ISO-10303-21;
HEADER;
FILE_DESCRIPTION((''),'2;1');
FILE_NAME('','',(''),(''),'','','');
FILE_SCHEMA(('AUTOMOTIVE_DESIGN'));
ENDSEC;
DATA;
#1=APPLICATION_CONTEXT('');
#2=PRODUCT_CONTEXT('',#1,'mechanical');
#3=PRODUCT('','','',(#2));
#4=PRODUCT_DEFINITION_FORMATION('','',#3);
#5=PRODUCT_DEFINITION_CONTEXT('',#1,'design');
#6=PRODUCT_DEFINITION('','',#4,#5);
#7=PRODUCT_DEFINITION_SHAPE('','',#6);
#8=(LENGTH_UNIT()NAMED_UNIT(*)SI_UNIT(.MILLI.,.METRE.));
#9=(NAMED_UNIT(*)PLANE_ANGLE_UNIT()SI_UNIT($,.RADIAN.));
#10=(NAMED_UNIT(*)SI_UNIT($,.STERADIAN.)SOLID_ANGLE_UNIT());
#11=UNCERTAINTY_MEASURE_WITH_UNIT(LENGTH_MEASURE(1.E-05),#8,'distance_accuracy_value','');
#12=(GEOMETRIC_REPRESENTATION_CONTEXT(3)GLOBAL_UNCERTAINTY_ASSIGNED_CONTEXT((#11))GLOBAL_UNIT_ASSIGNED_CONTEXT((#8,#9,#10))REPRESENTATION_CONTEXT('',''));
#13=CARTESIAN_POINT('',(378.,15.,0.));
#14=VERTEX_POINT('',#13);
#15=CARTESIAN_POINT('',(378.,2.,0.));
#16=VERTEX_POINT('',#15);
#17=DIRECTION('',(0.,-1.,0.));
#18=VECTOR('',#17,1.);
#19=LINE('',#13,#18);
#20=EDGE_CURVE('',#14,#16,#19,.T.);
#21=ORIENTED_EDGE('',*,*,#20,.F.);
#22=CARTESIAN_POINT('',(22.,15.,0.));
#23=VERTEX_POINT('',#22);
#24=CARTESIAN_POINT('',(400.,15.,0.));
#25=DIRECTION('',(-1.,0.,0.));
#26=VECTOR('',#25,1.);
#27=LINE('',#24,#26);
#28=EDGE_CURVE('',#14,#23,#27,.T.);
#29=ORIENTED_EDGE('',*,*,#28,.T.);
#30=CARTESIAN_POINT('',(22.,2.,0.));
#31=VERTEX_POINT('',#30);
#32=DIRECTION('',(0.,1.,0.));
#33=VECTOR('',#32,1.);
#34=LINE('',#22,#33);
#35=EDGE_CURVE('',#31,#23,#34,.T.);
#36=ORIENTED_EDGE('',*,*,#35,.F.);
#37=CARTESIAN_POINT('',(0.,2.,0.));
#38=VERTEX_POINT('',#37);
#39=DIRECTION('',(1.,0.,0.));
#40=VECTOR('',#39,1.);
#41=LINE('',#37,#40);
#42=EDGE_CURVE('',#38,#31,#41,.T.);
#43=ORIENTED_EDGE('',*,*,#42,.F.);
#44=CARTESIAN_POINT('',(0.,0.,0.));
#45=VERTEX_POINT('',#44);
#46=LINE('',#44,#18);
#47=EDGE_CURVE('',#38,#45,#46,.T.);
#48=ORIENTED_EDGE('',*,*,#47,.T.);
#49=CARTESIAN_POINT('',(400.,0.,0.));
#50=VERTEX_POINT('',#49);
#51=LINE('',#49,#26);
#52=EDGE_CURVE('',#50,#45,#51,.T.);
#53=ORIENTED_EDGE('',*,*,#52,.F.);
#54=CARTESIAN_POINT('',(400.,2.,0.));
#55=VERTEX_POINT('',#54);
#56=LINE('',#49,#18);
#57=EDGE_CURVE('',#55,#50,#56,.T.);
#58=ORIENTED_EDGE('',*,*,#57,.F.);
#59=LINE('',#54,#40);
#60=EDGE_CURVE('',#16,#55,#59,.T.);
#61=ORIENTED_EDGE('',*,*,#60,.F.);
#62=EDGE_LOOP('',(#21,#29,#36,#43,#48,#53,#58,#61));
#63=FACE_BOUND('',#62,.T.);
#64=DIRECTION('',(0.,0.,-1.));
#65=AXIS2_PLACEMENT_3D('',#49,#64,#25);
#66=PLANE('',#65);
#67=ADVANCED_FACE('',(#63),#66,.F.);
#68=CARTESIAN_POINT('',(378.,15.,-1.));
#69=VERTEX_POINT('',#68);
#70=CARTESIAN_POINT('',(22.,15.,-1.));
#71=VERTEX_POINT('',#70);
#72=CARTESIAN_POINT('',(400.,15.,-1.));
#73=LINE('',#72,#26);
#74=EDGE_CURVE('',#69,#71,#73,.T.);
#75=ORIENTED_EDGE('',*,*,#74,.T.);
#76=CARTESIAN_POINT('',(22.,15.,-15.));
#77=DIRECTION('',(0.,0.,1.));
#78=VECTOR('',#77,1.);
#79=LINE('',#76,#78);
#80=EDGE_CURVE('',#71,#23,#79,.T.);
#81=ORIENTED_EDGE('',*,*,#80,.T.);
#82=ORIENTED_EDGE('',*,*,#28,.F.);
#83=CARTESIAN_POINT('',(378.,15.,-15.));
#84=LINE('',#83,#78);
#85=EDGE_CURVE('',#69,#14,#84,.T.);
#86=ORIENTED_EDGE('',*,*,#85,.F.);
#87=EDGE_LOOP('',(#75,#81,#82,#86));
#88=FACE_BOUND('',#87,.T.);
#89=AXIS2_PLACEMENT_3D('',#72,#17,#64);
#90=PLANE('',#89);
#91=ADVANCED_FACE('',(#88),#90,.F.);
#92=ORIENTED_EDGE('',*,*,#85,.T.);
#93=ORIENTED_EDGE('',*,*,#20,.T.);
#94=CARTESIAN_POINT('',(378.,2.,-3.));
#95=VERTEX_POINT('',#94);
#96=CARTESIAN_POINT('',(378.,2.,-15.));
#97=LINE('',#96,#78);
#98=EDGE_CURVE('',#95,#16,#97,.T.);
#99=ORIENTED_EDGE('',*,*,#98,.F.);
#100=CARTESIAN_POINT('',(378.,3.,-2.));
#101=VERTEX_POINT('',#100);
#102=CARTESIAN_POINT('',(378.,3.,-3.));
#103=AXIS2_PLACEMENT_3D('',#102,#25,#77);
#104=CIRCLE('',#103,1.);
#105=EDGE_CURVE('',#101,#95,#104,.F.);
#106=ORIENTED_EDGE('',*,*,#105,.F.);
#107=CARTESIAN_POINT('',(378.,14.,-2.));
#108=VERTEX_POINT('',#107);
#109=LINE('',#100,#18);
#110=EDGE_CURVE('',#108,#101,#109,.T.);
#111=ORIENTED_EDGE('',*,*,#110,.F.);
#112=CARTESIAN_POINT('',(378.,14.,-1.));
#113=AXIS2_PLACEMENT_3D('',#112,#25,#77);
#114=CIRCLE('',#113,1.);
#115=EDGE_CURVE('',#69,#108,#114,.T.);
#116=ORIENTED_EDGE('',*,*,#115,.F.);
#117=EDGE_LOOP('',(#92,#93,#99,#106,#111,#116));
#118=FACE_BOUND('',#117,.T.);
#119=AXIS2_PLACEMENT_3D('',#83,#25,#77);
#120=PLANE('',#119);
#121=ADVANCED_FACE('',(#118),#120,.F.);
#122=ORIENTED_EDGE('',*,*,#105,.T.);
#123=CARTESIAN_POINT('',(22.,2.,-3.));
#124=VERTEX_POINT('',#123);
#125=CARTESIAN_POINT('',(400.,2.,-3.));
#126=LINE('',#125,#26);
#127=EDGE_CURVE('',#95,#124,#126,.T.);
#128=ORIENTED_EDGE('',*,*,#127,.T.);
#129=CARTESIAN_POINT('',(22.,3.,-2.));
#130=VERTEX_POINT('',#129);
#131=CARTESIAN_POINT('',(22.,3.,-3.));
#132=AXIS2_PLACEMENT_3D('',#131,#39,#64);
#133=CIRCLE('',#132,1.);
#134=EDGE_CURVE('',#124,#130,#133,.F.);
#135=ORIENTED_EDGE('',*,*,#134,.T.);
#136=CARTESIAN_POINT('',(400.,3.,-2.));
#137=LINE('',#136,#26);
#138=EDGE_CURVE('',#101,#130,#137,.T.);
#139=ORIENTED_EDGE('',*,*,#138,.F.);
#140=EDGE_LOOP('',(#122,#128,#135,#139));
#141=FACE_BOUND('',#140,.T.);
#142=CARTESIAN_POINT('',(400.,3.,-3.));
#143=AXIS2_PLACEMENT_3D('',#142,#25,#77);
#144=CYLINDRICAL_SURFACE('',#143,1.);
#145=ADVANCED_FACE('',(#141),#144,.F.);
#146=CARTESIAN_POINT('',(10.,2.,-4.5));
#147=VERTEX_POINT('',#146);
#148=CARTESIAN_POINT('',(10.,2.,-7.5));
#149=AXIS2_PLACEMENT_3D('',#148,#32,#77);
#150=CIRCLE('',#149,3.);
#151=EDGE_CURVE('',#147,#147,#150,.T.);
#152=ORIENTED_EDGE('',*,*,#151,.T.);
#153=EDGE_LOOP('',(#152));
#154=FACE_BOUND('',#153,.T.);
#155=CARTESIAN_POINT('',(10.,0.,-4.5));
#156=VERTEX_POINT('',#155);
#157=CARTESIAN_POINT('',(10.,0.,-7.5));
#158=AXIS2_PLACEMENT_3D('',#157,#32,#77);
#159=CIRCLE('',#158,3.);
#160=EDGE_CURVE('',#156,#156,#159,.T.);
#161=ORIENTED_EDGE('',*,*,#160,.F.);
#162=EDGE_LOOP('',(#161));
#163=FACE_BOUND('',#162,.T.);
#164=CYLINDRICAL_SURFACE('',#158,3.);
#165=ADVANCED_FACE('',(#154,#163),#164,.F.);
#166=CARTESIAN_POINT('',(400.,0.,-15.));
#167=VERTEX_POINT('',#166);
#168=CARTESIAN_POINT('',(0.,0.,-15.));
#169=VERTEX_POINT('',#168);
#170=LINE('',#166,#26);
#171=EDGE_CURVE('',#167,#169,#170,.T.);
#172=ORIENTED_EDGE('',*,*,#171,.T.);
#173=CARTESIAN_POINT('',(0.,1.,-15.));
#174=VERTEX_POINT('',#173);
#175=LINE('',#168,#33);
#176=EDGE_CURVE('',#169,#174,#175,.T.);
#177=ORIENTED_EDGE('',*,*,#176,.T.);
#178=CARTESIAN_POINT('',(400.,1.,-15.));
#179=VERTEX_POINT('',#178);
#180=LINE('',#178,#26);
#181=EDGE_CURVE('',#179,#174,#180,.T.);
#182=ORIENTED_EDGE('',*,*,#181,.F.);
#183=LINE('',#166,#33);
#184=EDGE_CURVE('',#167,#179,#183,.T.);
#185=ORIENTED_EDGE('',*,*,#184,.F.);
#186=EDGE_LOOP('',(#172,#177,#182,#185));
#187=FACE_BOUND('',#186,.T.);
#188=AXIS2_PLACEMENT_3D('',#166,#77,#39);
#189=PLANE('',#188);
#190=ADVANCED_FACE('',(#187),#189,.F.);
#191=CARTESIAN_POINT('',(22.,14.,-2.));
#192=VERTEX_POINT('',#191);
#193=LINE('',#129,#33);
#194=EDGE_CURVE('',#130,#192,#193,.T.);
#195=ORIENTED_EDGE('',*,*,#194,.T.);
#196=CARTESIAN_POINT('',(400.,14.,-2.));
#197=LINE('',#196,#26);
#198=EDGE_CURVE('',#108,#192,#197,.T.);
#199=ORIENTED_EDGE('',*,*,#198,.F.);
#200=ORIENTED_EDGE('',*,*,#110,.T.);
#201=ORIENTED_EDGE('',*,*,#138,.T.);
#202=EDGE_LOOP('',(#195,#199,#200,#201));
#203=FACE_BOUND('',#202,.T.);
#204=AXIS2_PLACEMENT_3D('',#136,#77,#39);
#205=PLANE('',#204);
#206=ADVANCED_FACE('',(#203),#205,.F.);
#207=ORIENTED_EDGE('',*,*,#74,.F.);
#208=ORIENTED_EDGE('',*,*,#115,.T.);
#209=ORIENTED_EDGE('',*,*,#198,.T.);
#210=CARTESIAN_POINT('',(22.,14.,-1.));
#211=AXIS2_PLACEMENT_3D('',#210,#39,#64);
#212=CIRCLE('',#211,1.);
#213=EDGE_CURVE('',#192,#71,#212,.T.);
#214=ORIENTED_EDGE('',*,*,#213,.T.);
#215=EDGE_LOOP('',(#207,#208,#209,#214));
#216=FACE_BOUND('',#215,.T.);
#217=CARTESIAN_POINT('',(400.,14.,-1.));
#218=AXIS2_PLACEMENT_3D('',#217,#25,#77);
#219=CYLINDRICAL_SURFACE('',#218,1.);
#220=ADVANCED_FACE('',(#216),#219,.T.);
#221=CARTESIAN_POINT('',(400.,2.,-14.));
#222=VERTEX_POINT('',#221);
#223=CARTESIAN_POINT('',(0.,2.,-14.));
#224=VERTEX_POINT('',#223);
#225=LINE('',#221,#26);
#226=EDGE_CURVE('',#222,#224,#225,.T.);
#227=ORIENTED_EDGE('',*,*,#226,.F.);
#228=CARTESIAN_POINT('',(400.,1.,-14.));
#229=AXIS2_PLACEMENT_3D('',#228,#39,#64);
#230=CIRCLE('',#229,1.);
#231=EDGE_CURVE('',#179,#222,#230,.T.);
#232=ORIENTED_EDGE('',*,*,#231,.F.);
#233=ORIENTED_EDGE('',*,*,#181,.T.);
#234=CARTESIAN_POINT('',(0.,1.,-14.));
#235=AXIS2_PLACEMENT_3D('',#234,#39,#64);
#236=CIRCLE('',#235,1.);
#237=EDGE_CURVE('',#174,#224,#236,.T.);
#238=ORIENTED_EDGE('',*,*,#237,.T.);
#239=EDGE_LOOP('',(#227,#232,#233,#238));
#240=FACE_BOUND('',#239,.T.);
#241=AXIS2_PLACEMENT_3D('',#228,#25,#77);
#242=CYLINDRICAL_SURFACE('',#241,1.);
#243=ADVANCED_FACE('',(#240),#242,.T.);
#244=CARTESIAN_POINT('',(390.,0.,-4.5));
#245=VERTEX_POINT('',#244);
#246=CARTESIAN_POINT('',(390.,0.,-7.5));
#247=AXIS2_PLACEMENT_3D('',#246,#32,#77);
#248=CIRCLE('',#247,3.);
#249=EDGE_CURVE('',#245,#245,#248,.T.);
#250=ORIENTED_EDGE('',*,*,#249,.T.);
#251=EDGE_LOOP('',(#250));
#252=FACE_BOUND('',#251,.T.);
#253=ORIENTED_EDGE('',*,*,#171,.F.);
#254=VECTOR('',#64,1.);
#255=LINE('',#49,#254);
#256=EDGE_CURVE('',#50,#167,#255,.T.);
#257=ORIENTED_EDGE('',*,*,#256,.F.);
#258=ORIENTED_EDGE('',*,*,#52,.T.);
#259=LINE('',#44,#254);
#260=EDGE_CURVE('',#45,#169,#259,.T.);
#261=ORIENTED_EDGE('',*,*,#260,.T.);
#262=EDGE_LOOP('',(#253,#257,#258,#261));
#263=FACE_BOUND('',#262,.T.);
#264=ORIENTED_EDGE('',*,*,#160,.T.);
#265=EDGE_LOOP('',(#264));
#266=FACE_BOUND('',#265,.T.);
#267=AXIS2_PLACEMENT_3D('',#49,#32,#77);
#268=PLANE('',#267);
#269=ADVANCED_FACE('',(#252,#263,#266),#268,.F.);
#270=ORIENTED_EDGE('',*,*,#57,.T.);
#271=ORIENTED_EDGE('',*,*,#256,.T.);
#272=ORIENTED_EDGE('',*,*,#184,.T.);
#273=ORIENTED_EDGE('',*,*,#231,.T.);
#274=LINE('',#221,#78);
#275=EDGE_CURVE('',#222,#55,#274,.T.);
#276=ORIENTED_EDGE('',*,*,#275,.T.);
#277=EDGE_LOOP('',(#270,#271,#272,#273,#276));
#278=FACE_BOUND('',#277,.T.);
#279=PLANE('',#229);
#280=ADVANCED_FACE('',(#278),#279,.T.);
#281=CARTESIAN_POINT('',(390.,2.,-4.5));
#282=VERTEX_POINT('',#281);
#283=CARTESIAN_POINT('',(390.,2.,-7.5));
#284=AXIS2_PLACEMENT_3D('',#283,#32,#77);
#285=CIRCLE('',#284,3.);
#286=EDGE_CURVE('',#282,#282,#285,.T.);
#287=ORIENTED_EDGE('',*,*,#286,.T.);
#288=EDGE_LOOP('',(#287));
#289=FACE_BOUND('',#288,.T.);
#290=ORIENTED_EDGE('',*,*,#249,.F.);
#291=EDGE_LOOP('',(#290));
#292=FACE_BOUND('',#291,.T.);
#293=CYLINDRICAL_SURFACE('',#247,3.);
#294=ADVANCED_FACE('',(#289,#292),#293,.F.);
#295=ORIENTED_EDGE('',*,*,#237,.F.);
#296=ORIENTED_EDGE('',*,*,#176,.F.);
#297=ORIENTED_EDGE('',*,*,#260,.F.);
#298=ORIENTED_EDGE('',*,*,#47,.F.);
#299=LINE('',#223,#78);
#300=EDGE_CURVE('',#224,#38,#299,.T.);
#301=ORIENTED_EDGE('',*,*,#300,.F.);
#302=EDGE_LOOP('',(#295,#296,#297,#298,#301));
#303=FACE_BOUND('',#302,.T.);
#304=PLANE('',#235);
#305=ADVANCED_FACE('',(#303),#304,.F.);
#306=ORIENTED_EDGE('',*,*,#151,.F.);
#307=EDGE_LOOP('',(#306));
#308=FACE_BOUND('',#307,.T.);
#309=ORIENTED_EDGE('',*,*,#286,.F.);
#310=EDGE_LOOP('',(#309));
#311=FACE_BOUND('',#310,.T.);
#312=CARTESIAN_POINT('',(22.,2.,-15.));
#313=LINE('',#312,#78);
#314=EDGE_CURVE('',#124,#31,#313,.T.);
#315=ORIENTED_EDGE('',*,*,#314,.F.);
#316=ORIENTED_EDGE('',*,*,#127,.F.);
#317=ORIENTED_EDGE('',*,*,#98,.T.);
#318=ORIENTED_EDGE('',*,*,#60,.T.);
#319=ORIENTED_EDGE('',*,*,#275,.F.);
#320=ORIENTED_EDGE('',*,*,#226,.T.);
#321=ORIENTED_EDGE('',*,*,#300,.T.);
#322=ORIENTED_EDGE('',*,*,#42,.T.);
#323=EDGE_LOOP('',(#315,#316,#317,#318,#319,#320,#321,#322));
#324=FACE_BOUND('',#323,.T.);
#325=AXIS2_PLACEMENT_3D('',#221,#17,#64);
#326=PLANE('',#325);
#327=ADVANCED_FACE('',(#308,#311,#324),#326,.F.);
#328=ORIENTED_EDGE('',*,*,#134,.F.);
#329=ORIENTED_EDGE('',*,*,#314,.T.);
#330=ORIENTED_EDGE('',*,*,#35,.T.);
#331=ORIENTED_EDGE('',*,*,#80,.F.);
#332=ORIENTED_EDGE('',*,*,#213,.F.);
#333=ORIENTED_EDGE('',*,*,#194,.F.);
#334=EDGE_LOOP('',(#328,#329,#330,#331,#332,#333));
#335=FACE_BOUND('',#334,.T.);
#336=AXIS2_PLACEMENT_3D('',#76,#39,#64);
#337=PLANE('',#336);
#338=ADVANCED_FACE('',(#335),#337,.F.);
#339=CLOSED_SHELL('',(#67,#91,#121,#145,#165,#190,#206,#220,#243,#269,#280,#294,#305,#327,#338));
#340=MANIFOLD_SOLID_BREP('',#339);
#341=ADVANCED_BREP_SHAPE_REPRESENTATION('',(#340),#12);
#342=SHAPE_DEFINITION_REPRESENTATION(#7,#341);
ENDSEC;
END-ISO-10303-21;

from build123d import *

# Parameters (mm, degrees)
EXTRUDE_1_DEPTH     = 400
SKETCH_2_W          = 22
SKETCH_2_H          = 13
CUT_EXTRUDE_1_DEPTH = 401.562105047
SKETCH_3_R          = 3
CUT_EXTRUDE_2_DEPTH = 401.492197177


with BuildPart() as part:
    # Эскиз1 → Бобышка-Вытянуть1 (new body)
    with BuildSketch(Plane(origin=(0, 0, 0), x_dir=(0, 0, -1), z_dir=(1, 0, 0))):
        with BuildLine():
            Line((0, 0), (0, 15))
            Line((0, 15), (1, 15))
            ThreePointArc((1, 15), (1.707106781, 14.707106781), (2, 14))
            Line((2, 14), (2, 3))
            ThreePointArc((2, 3), (2.292893219, 2.292893219), (3, 2))
            Line((3, 2), (14, 2))
            ThreePointArc((14, 2), (14.707106781, 1.707106781), (15, 1))
            Line((15, 1), (15, 0))
            Line((15, 0), (0, 0))
        make_face()
    extrude(amount=EXTRUDE_1_DEPTH)

    # Эскиз2 → Вырез-Вытянуть1 (cut, through all)
    with BuildSketch(Plane.XY):
        with Locations((389, 8.5)):
            Rectangle(SKETCH_2_W, SKETCH_2_H)
        with Locations((11, 8.5)):
            Rectangle(SKETCH_2_W, SKETCH_2_H)
    extrude(amount=-CUT_EXTRUDE_1_DEPTH, mode=Mode.SUBTRACT)

    # Эскиз3 → Вырез-Вытянуть2 (cut, through all)
    with BuildSketch(Plane(origin=(0, 2, 0), x_dir=(1, 0, 0), z_dir=(0, 1, 0))):
        with Locations(Location((390, 7.5, 0), (0, 0, 270))):
            Circle(SKETCH_3_R)
        with Locations(Location((10, 7.5, 0), (0, 0, 270))):
            Circle(SKETCH_3_R)
    extrude(amount=-CUT_EXTRUDE_2_DEPTH, mode=Mode.SUBTRACT)


solid = part.part
